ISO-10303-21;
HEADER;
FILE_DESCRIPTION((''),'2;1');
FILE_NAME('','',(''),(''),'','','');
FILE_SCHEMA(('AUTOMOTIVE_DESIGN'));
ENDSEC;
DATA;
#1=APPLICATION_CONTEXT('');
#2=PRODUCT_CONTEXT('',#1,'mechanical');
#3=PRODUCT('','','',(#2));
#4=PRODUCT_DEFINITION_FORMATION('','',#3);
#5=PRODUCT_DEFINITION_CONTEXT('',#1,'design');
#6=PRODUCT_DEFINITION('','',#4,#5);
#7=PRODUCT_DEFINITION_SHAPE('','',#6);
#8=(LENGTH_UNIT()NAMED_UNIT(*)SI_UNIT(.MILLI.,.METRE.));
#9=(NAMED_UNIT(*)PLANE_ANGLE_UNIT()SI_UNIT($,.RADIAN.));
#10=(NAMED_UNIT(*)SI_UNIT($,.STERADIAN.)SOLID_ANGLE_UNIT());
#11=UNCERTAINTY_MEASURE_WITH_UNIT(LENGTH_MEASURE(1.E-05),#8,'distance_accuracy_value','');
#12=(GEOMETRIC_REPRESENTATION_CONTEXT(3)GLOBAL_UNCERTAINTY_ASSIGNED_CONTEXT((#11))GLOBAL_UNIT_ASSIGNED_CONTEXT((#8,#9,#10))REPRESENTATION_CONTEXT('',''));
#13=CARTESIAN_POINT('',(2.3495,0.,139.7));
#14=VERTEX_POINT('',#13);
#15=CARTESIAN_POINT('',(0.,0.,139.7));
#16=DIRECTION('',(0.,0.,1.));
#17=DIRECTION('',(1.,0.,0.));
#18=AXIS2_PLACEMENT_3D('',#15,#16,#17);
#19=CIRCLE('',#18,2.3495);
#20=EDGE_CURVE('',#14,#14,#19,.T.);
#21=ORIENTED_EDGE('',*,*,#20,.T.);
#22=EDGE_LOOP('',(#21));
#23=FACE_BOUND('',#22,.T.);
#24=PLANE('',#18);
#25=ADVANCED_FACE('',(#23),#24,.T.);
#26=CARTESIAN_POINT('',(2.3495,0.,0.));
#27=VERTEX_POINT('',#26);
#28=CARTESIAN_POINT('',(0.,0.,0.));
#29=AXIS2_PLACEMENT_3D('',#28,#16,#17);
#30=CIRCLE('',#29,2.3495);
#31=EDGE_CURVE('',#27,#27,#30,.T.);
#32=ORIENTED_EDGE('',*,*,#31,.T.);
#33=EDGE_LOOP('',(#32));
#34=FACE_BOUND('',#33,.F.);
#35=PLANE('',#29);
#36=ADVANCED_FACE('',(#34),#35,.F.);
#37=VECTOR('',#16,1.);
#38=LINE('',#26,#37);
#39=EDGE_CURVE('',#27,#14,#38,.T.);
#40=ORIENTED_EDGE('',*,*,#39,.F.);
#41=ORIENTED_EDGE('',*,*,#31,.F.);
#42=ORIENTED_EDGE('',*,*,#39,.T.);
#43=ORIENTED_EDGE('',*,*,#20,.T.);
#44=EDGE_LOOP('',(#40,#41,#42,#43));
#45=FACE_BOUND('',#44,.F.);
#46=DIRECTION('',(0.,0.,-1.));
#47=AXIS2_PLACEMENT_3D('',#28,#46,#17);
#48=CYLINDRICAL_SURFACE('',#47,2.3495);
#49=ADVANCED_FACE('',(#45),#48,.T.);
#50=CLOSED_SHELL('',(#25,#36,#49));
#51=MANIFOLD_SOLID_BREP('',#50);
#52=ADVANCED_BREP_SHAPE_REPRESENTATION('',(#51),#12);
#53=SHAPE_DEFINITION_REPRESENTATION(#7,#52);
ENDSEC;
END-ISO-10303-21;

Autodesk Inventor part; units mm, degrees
ref_plane "YZ Plane" through (0, 0, 0) normal (1, 0, 0) x (0, 1, 0)
ref_plane "XZ Plane" through (0, 0, 0) normal (0, 1, 0) x (-1, 0, 0)
ref_plane "XY Plane" through (0, 0, 0) normal (0, 0, 1) x (1, 0, 0)
sketch "Sketch1" plane through (0, 0, 0) normal (0, 0, 1) x (1, 0, 0)
  circle A0 centre (0, 0) radius 2.3495
  dimension "d0" = 4.699
extrude "Extrusion1" add sketch "Sketch1" along normal blind 139.7
thread "Thread1" size "10-24 UNC" class "2A" standard "ANSI Unified Screw Threads" full length
properties part number "Threaded Rod"
